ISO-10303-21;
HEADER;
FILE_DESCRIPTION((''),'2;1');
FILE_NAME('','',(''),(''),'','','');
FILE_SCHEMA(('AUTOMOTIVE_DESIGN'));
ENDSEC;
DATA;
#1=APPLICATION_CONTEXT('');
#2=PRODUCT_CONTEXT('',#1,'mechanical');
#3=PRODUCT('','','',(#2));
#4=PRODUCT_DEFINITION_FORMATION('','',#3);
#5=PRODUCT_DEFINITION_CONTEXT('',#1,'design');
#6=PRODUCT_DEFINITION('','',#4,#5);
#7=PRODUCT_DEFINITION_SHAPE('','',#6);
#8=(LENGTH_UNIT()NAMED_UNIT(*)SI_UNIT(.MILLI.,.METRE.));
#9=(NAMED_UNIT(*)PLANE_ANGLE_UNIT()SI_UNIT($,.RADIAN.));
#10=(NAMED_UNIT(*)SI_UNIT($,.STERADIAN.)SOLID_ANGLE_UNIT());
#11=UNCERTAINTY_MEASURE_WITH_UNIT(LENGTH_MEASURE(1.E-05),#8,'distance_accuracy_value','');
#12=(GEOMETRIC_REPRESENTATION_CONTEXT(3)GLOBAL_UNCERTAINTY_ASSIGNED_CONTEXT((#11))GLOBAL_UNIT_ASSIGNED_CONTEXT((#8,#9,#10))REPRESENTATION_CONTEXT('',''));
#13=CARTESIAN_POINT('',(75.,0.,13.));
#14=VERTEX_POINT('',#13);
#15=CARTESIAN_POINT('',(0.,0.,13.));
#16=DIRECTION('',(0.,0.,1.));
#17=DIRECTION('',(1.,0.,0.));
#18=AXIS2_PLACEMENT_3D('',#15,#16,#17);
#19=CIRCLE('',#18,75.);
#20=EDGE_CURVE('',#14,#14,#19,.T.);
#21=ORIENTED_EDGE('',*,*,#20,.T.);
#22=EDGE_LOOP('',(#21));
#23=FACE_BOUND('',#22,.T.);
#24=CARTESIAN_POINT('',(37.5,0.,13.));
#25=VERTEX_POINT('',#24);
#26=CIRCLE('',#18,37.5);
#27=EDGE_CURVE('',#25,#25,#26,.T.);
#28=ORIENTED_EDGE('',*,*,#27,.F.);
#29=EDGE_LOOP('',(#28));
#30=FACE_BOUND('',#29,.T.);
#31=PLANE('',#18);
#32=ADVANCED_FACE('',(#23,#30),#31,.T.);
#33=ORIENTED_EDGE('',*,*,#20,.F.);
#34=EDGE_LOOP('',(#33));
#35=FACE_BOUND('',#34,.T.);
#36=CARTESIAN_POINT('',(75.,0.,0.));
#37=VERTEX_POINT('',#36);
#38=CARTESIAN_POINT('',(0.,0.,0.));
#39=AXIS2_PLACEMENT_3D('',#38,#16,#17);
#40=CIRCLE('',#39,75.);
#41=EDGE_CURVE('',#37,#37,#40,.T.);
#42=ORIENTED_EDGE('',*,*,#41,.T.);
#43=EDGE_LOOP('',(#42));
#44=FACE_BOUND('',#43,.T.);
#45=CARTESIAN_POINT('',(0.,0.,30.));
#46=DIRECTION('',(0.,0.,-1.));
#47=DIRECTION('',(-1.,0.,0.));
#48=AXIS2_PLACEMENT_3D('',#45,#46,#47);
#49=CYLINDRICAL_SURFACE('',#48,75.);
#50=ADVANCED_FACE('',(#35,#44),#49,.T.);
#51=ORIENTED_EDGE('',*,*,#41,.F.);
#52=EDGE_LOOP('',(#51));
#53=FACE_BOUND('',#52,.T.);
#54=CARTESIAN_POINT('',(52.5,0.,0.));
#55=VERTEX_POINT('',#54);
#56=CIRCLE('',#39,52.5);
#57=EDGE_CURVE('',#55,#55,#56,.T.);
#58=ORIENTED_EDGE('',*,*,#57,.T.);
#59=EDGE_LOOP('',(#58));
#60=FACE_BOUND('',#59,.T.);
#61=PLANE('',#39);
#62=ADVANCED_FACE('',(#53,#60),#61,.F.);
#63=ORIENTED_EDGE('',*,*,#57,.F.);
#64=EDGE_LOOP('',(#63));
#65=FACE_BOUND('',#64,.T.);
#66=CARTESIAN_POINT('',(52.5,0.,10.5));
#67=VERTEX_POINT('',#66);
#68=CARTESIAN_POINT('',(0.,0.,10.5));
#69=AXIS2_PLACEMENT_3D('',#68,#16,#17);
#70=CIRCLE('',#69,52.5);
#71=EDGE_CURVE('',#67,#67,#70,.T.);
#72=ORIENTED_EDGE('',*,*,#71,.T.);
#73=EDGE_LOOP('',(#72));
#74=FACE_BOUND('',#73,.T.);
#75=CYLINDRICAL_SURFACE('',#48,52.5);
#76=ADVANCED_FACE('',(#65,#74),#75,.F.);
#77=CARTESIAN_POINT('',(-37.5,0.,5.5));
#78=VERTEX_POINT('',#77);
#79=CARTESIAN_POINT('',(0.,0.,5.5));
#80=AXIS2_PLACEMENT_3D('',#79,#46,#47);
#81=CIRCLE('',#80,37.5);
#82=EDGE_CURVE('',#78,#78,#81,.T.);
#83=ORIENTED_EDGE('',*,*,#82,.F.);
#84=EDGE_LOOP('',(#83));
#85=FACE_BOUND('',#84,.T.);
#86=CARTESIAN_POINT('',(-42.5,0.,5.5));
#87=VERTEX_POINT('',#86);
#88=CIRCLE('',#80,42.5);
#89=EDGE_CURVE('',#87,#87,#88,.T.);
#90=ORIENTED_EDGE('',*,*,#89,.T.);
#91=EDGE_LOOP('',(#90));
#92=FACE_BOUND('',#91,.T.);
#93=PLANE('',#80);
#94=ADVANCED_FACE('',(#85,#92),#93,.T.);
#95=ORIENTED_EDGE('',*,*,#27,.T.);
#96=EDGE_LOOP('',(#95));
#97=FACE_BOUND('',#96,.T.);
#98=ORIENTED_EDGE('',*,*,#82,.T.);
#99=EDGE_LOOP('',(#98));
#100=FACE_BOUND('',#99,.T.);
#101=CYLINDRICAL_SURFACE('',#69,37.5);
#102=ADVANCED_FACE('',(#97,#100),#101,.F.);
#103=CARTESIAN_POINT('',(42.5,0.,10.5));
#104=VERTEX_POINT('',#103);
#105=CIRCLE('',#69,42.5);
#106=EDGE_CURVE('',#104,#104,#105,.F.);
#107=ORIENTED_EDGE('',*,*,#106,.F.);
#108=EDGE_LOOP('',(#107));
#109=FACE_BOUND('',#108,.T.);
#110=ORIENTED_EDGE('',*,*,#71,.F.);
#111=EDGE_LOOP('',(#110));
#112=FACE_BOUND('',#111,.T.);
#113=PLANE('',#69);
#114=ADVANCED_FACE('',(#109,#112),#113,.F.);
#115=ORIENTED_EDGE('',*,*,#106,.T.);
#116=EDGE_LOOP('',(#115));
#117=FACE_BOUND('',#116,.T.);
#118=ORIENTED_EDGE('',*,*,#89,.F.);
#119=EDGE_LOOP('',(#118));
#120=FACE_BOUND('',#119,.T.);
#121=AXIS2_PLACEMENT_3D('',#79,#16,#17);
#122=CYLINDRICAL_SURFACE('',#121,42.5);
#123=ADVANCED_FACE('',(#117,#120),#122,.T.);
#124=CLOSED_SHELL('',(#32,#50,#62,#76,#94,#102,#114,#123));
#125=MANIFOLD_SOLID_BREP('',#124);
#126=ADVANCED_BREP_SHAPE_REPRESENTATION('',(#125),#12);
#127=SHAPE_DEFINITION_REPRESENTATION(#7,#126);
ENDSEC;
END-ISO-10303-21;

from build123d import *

# Parameters (mm, degrees)
ESQUISSE1_R             = 75
ESQUISSE1_R_2           = 52.5
BOSS_EXTRU_1_DEPTH      = 30
ESQUISSE2_R             = 52.5
ESQUISSE2_R_2           = 37.5
BOSS_EXTRU_2_DEPTH      = 19.5
ESQUISSE3_R             = 42.5
ESQUISSE3_R_2           = 37.5
BOSS_EXTRU_3_DEPTH      = 5
ESQUISSE4_R             = 75
ESQUISSE4_R_2           = 37.5
ENL_V_MAT_EXTRU_1_DEPTH = 17


with BuildPart() as part:
    # Esquisse1 → Boss.-Extru.1 (new body)
    with BuildSketch(Plane.XY):
        Circle(ESQUISSE1_R)
        Circle(ESQUISSE1_R_2, mode=Mode.SUBTRACT)
    extrude(amount=BOSS_EXTRU_1_DEPTH)

    # Esquisse2 → Boss.-Extru.2 (add)
    with BuildSketch(Plane.XY.offset(30)):
        Circle(ESQUISSE2_R)
        Circle(ESQUISSE2_R_2, mode=Mode.SUBTRACT)
    extrude(amount=-BOSS_EXTRU_2_DEPTH)

    # Esquisse3 → Boss.-Extru.3 (add)
    with BuildSketch(Plane(origin=(0, 0, 10.5), x_dir=(-1, 0, 0), z_dir=(0, 0, -1))):
        with Locations(Location((0, 0, 0), (0, 0, 180))):
            Circle(ESQUISSE3_R)
        with Locations(Location((0, 0, 0), (0, 0, 180))):
            Circle(ESQUISSE3_R_2, mode=Mode.SUBTRACT)
    extrude(amount=BOSS_EXTRU_3_DEPTH)

    # Esquisse4 → Enlèv. mat.-Extru.1 (cut)
    with BuildSketch(Plane.XY.offset(30)):
        Circle(ESQUISSE4_R)
        Circle(ESQUISSE4_R_2, mode=Mode.SUBTRACT)
    extrude(amount=-ENL_V_MAT_EXTRU_1_DEPTH, mode=Mode.SUBTRACT)


solid = part.part
